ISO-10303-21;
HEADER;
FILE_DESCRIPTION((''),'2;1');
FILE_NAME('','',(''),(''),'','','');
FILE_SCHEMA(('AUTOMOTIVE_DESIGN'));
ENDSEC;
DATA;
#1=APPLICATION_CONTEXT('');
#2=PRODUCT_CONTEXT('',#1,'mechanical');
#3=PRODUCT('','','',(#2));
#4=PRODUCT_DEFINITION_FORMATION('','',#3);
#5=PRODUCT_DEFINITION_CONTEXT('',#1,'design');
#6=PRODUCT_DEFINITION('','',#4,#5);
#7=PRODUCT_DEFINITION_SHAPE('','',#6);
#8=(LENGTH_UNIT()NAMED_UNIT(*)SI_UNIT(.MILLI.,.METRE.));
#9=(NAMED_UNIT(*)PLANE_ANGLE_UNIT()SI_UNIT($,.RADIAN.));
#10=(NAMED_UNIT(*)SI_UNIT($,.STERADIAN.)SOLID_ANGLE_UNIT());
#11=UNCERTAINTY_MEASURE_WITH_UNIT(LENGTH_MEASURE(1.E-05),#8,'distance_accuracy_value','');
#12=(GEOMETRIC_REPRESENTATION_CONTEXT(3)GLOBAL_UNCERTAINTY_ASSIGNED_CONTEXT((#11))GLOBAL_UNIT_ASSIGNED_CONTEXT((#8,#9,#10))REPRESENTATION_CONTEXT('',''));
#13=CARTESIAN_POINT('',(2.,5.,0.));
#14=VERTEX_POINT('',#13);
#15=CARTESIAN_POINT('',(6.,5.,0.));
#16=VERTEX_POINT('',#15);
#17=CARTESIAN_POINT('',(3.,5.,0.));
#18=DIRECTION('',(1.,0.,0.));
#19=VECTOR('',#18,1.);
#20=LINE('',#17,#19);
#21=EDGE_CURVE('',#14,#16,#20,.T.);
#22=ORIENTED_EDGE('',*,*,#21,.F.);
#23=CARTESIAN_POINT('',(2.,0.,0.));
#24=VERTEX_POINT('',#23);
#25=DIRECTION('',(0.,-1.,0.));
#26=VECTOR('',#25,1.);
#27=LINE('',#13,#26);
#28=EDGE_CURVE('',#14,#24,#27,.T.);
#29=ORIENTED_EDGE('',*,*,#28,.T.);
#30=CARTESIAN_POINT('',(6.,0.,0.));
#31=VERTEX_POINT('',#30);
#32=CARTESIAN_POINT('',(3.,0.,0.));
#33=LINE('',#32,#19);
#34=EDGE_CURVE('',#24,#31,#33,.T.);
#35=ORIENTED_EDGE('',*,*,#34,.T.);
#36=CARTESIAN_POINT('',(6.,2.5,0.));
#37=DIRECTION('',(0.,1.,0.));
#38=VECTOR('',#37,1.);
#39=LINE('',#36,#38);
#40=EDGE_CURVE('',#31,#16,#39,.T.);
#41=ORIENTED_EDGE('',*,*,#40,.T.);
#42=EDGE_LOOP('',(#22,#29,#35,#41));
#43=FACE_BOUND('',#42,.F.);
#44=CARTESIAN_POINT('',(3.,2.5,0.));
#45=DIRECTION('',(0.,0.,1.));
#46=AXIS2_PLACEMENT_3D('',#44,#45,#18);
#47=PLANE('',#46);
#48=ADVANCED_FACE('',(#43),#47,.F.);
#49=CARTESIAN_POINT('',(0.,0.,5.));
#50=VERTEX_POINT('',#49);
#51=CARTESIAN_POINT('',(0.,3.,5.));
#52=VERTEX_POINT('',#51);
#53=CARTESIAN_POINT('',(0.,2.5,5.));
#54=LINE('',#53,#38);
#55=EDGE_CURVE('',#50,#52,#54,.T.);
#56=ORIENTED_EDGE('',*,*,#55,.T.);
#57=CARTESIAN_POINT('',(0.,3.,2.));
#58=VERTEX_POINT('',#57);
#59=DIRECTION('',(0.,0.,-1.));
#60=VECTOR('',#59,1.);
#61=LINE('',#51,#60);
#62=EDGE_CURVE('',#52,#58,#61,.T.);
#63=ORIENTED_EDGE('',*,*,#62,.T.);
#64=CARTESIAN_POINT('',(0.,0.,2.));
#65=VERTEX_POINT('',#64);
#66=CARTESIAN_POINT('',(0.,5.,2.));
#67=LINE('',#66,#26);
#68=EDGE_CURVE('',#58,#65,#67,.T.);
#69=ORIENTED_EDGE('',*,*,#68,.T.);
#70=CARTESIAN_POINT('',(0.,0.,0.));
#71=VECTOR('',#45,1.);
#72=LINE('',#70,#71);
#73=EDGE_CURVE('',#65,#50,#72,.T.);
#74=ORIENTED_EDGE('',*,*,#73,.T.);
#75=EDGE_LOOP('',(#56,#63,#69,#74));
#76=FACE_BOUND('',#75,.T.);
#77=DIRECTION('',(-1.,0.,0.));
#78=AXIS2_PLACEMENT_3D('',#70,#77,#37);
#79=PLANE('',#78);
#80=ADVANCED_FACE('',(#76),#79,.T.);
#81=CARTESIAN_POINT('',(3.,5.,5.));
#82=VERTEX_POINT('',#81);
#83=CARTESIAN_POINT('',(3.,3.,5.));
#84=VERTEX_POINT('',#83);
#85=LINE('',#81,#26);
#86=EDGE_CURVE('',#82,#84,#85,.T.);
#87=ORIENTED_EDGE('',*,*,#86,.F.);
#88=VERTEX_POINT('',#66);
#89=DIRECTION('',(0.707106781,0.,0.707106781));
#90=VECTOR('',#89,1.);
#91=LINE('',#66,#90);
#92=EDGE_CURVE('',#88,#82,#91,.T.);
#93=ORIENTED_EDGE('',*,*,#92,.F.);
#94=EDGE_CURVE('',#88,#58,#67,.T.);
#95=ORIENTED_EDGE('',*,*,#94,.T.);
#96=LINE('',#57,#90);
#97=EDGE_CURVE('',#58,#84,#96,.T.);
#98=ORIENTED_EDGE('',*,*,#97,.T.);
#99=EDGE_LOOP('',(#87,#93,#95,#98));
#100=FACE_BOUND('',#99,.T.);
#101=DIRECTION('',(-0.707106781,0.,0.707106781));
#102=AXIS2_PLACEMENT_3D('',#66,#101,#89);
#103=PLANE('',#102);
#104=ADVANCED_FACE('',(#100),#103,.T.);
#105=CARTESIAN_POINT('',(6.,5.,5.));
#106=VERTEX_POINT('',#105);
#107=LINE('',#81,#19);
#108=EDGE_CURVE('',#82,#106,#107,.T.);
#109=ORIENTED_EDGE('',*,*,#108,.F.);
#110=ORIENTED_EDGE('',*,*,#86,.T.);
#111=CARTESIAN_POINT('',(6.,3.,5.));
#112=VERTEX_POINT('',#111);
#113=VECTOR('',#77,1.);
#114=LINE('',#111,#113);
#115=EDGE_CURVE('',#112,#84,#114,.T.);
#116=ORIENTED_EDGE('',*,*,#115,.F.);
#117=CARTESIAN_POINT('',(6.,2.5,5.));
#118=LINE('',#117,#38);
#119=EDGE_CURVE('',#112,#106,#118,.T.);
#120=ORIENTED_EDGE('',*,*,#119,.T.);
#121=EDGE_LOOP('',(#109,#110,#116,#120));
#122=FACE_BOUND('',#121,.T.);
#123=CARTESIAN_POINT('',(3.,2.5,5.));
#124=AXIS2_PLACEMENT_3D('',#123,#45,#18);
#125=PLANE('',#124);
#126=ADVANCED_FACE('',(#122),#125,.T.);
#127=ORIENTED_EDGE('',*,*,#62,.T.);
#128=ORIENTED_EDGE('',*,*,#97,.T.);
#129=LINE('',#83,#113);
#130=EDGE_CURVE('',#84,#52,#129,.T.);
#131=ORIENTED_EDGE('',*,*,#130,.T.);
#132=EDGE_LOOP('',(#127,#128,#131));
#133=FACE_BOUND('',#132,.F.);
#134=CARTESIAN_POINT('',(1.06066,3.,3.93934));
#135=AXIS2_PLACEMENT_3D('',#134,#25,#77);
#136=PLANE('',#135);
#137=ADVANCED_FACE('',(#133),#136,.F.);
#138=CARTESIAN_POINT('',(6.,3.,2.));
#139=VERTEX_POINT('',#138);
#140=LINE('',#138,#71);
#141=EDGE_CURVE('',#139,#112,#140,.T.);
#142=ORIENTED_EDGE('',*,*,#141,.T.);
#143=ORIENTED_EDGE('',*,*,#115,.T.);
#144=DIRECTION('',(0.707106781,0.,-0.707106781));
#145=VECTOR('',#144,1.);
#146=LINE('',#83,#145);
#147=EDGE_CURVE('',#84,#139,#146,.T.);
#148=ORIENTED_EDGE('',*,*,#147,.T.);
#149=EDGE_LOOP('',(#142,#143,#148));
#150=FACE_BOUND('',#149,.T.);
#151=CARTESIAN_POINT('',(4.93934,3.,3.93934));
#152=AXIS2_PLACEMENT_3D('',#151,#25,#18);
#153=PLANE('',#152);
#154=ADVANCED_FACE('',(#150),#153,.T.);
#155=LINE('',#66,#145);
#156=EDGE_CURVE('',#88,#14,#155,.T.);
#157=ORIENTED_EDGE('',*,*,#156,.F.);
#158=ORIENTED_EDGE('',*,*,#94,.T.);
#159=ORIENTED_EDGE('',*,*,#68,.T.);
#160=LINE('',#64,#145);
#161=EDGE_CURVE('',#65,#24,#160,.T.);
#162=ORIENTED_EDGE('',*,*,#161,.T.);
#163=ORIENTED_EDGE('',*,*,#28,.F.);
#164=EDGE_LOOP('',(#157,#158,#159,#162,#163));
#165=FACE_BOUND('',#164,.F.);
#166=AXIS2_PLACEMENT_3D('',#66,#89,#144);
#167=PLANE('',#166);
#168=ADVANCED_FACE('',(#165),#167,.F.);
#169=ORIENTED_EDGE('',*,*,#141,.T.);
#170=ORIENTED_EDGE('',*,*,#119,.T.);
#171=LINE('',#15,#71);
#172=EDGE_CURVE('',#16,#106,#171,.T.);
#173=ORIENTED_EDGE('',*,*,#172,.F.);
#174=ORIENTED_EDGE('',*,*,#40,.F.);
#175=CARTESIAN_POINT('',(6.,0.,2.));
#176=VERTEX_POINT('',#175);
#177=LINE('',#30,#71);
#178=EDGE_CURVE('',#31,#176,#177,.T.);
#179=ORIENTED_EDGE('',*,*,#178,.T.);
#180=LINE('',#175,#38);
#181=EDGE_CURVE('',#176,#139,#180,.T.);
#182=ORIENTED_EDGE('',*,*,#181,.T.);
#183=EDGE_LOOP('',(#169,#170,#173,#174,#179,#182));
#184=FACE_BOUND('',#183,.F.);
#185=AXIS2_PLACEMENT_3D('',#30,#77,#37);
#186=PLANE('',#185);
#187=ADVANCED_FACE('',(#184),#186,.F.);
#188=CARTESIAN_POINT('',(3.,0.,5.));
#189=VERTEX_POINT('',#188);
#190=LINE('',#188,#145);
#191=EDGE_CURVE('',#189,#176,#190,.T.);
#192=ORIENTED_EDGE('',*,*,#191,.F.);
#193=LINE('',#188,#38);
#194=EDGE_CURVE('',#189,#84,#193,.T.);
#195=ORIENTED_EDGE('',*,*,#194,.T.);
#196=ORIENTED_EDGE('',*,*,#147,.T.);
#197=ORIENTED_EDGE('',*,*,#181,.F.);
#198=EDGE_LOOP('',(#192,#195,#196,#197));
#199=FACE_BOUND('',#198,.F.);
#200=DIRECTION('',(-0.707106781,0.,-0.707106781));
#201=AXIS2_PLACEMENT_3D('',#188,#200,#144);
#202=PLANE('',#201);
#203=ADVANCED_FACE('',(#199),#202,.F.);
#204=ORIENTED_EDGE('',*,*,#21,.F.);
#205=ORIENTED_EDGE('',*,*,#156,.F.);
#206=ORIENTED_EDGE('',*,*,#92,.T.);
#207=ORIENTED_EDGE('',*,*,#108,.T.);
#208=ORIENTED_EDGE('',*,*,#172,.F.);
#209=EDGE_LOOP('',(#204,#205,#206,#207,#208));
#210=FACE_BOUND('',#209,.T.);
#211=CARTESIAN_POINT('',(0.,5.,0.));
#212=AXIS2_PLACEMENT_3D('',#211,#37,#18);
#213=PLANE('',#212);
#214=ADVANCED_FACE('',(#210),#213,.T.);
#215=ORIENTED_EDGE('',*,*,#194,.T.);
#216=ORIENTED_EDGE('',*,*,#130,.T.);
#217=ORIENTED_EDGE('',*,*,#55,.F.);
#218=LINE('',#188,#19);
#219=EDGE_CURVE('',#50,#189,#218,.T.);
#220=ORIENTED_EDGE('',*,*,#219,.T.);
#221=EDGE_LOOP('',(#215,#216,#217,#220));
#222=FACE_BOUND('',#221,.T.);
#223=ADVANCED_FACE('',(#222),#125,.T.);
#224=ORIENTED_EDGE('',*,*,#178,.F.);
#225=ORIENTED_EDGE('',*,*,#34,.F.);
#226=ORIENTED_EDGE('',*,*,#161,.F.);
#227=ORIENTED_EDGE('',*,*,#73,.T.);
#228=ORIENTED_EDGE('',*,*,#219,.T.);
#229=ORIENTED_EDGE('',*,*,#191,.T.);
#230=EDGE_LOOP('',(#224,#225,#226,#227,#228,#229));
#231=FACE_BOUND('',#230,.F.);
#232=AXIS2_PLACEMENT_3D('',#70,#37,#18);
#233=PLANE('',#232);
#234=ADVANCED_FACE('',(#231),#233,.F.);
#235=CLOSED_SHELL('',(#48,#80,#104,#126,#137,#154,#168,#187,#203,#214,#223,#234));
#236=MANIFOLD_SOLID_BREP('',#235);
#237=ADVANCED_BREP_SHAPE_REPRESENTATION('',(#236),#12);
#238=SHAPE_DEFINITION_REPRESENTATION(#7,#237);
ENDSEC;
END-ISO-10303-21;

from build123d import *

# Parameters (mm, degrees)
SKETCH1_W           = 6
SKETCH1_H           = 5
BOSS_EXTRUDE1_DEPTH = 5
CUT_EXTRUDE1_DEPTH  = 5
CUT_EXTRUDE2_DEPTH  = 2
CUT_EXTRUDE3_DEPTH  = 3


with BuildPart() as part:
    # Sketch1 → Boss-Extrude1 (new body)
    with BuildSketch(Plane.XY):
        with Locations((3, 2.5)):
            Rectangle(SKETCH1_W, SKETCH1_H)
    extrude(amount=BOSS_EXTRUDE1_DEPTH)

    # Sketch4 → Cut-Extrude1 (cut)
    with BuildSketch(Plane(origin=(0, 5, 0), x_dir=(1, 0, 0), z_dir=(0, 1, 0))):
        Polygon((0, -2), (2, 0), (0, 0), align=None)
    extrude(amount=-CUT_EXTRUDE1_DEPTH, mode=Mode.SUBTRACT)

    # Sketch5 → Cut-Extrude2 (cut)
    with BuildSketch(Plane(origin=(0, 5, 0), x_dir=(1, 0, 0), z_dir=(0, 1, 0))):
        Polygon((0, -2), (3, -5), (0, -5), align=None)
    extrude(amount=-CUT_EXTRUDE2_DEPTH, mode=Mode.SUBTRACT)

    # Sketch6 → Cut-Extrude3 (cut)
    with BuildSketch(Plane.XZ):
        Polygon((6, 5), (3, 5), (6, 2), align=None)
    extrude(amount=-CUT_EXTRUDE3_DEPTH, mode=Mode.SUBTRACT)


solid = part.part
